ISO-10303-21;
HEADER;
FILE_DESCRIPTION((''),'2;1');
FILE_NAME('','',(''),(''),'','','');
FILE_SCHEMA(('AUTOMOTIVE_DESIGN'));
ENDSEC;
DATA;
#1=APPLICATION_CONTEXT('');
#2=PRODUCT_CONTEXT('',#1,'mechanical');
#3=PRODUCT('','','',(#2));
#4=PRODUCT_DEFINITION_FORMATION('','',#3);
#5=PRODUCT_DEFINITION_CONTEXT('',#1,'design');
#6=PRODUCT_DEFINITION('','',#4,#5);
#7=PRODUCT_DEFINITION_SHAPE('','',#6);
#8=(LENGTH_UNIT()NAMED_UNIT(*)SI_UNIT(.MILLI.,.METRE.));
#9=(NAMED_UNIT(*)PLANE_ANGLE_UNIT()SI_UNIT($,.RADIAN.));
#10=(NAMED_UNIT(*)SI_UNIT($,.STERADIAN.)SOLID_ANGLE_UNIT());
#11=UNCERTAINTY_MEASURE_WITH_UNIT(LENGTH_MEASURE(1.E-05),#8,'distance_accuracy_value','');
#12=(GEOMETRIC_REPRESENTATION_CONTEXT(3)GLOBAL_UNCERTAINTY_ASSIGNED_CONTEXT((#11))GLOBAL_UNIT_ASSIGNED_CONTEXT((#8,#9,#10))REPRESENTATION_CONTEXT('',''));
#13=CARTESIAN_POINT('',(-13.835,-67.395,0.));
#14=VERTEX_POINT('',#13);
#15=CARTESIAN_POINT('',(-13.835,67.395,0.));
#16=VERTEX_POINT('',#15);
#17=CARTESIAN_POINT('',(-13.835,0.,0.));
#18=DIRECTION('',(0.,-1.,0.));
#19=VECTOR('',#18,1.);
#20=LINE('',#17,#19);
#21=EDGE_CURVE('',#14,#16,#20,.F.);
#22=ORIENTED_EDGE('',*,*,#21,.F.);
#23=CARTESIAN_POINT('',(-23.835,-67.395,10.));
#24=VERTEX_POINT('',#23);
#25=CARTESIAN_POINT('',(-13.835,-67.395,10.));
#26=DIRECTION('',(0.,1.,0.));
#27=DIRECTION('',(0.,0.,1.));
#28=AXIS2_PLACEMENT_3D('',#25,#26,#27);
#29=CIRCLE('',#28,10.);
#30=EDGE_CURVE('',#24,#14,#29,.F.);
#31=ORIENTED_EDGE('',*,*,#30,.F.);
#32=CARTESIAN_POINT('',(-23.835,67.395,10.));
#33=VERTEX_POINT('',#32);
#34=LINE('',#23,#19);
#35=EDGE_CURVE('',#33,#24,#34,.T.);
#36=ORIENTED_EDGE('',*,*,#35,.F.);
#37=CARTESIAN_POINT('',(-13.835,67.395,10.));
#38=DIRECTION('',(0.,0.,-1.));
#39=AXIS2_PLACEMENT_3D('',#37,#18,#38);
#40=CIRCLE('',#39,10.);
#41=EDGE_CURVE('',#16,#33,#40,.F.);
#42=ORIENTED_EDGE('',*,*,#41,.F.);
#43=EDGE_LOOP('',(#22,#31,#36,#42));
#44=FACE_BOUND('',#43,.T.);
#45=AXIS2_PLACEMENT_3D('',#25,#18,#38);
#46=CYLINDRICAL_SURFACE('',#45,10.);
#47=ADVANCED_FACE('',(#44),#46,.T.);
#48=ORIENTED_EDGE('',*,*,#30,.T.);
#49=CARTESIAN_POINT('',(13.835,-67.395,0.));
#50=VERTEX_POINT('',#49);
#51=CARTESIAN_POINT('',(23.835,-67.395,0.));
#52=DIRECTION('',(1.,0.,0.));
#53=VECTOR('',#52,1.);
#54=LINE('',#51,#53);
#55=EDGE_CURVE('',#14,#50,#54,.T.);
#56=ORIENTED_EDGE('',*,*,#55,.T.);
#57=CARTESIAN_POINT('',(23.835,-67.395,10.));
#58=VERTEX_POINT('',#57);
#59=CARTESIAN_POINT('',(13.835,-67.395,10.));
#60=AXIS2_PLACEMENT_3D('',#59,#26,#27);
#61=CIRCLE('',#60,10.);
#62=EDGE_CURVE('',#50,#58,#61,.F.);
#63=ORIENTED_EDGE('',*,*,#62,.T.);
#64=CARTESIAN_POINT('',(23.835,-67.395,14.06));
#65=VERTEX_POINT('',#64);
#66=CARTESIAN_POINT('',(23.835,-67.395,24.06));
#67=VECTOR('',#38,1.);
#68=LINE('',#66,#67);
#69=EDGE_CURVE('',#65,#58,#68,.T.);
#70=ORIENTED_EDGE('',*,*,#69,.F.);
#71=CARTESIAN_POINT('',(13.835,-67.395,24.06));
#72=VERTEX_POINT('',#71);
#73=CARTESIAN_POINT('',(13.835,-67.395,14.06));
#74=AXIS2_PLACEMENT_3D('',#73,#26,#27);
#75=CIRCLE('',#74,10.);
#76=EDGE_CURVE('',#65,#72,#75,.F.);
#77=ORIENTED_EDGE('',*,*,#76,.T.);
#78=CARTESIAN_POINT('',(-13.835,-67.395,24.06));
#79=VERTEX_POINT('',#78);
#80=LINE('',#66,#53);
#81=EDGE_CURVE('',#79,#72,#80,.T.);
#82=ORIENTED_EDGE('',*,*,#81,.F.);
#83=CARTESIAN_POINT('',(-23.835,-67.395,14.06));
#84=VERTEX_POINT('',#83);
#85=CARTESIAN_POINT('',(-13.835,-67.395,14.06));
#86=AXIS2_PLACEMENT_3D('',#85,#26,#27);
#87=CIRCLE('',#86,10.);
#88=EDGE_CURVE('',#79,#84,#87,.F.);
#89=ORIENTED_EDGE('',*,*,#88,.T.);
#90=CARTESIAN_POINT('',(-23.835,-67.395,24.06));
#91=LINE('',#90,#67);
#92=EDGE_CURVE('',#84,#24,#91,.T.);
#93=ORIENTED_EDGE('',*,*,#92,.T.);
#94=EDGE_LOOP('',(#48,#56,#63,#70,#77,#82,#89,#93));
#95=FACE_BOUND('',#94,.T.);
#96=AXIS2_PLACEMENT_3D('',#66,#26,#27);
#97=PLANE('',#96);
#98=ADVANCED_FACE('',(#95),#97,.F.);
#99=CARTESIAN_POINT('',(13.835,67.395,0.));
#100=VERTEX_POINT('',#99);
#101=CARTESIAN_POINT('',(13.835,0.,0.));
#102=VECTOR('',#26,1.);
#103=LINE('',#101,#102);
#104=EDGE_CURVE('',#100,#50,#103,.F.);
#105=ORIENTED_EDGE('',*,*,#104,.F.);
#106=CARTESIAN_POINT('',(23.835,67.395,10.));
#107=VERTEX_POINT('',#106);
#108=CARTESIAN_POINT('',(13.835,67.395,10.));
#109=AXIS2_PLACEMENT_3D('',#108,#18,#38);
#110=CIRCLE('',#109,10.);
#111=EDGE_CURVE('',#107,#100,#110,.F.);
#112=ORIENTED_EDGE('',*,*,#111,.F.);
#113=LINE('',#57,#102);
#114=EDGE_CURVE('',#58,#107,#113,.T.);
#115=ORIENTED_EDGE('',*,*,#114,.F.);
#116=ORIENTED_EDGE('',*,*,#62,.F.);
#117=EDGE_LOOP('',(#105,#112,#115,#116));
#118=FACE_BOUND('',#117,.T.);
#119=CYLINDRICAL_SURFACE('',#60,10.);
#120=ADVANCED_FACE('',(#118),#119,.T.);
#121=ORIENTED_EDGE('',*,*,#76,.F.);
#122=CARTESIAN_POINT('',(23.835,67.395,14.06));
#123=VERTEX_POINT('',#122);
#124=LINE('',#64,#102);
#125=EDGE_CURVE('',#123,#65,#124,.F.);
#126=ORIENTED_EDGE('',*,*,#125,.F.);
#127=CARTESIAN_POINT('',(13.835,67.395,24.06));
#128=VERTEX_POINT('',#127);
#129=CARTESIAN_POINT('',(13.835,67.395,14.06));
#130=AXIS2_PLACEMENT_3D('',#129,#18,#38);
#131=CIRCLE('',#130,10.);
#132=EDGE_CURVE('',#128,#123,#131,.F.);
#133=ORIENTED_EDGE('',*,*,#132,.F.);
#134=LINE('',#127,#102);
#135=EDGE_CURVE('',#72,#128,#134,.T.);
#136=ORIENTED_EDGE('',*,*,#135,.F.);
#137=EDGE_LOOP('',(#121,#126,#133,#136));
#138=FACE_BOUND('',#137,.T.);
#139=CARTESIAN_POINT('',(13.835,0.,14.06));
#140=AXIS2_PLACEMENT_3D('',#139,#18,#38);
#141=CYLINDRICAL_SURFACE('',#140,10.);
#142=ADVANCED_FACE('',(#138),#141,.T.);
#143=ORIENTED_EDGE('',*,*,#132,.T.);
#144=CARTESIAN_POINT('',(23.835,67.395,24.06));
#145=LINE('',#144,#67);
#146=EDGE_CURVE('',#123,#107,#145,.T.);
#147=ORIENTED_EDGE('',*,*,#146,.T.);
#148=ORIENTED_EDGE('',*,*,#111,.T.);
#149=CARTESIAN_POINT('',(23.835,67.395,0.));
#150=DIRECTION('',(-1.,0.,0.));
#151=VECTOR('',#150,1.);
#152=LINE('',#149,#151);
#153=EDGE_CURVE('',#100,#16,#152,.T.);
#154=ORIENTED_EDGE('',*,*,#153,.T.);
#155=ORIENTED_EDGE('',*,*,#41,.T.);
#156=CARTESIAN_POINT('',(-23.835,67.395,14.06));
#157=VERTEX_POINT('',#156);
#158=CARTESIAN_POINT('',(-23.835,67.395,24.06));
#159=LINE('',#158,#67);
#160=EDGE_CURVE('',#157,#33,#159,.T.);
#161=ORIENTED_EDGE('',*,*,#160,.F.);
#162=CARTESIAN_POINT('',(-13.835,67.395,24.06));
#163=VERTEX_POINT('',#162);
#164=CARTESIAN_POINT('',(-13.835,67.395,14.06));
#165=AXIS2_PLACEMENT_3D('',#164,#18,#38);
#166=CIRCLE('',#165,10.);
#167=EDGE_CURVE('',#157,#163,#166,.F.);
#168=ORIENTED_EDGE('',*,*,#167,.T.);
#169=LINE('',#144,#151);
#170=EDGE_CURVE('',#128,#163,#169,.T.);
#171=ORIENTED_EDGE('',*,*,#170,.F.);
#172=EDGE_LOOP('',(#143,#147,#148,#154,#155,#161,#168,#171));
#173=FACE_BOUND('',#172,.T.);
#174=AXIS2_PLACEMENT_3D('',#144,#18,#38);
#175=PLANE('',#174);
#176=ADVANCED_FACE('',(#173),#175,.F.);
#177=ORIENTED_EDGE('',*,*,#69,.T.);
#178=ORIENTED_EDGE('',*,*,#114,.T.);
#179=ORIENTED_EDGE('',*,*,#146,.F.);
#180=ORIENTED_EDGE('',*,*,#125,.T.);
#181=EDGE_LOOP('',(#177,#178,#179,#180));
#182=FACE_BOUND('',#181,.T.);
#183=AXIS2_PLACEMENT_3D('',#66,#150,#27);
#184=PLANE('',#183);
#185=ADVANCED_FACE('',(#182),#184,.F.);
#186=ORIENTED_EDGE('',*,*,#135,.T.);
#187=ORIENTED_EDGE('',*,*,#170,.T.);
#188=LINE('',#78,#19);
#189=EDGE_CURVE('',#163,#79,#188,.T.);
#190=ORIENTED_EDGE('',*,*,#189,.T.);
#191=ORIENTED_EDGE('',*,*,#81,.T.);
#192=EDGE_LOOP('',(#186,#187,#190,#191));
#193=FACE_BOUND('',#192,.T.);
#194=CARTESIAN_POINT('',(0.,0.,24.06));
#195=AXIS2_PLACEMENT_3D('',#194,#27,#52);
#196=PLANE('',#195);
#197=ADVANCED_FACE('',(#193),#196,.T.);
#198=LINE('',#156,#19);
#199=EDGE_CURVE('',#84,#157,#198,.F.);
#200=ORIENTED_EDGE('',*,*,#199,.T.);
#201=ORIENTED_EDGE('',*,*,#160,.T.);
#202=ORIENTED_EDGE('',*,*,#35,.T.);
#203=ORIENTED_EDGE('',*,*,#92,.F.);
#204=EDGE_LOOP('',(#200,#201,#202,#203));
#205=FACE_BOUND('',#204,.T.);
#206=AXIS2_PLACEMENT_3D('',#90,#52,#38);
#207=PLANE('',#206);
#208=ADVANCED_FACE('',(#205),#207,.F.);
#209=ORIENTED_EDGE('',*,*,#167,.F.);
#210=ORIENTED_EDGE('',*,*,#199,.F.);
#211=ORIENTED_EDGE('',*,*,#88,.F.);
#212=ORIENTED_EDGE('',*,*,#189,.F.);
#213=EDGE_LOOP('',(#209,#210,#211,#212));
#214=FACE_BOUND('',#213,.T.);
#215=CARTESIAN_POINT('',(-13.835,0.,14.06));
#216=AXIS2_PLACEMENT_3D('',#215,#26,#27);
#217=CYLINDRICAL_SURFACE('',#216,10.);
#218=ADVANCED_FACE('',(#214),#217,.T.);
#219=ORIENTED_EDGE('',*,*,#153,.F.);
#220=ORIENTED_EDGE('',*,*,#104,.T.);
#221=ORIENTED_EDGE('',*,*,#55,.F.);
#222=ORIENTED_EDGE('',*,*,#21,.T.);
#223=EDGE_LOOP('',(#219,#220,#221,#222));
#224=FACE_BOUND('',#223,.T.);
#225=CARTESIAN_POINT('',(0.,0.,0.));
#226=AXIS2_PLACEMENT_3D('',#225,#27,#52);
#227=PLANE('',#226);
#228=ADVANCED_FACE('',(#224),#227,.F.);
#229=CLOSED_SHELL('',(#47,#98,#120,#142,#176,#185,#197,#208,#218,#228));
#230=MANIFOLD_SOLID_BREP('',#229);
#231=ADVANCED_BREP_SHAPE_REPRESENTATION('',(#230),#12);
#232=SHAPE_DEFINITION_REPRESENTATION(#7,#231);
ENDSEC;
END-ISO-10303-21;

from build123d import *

# Parameters (mm, degrees)
SKETCH_1_W      = 47.67
SKETCH_1_H      = 134.79
EXTRUDE_1_DEPTH = 24.06
FILLET_1_R      = 10


with BuildPart() as part:
    # ｽｹｯﾁ1 → ﾎﾞｽ - 押し出し1 (new body)
    with BuildSketch(Plane.XY):
        Rectangle(SKETCH_1_W, SKETCH_1_H)
    extrude(amount=EXTRUDE_1_DEPTH)

    # ﾌｨﾚｯﾄ1
    fillet_1_edges = [part.edges().sort_by_distance(p)[0] for p in [
        (23.835, 0, 24.06),
        (-23.835, 0, 24.06),
        (23.835, 0, 0),
        (-23.835, 0, 0),
    ]]
    fillet(fillet_1_edges, radius=FILLET_1_R)


solid = part.part
